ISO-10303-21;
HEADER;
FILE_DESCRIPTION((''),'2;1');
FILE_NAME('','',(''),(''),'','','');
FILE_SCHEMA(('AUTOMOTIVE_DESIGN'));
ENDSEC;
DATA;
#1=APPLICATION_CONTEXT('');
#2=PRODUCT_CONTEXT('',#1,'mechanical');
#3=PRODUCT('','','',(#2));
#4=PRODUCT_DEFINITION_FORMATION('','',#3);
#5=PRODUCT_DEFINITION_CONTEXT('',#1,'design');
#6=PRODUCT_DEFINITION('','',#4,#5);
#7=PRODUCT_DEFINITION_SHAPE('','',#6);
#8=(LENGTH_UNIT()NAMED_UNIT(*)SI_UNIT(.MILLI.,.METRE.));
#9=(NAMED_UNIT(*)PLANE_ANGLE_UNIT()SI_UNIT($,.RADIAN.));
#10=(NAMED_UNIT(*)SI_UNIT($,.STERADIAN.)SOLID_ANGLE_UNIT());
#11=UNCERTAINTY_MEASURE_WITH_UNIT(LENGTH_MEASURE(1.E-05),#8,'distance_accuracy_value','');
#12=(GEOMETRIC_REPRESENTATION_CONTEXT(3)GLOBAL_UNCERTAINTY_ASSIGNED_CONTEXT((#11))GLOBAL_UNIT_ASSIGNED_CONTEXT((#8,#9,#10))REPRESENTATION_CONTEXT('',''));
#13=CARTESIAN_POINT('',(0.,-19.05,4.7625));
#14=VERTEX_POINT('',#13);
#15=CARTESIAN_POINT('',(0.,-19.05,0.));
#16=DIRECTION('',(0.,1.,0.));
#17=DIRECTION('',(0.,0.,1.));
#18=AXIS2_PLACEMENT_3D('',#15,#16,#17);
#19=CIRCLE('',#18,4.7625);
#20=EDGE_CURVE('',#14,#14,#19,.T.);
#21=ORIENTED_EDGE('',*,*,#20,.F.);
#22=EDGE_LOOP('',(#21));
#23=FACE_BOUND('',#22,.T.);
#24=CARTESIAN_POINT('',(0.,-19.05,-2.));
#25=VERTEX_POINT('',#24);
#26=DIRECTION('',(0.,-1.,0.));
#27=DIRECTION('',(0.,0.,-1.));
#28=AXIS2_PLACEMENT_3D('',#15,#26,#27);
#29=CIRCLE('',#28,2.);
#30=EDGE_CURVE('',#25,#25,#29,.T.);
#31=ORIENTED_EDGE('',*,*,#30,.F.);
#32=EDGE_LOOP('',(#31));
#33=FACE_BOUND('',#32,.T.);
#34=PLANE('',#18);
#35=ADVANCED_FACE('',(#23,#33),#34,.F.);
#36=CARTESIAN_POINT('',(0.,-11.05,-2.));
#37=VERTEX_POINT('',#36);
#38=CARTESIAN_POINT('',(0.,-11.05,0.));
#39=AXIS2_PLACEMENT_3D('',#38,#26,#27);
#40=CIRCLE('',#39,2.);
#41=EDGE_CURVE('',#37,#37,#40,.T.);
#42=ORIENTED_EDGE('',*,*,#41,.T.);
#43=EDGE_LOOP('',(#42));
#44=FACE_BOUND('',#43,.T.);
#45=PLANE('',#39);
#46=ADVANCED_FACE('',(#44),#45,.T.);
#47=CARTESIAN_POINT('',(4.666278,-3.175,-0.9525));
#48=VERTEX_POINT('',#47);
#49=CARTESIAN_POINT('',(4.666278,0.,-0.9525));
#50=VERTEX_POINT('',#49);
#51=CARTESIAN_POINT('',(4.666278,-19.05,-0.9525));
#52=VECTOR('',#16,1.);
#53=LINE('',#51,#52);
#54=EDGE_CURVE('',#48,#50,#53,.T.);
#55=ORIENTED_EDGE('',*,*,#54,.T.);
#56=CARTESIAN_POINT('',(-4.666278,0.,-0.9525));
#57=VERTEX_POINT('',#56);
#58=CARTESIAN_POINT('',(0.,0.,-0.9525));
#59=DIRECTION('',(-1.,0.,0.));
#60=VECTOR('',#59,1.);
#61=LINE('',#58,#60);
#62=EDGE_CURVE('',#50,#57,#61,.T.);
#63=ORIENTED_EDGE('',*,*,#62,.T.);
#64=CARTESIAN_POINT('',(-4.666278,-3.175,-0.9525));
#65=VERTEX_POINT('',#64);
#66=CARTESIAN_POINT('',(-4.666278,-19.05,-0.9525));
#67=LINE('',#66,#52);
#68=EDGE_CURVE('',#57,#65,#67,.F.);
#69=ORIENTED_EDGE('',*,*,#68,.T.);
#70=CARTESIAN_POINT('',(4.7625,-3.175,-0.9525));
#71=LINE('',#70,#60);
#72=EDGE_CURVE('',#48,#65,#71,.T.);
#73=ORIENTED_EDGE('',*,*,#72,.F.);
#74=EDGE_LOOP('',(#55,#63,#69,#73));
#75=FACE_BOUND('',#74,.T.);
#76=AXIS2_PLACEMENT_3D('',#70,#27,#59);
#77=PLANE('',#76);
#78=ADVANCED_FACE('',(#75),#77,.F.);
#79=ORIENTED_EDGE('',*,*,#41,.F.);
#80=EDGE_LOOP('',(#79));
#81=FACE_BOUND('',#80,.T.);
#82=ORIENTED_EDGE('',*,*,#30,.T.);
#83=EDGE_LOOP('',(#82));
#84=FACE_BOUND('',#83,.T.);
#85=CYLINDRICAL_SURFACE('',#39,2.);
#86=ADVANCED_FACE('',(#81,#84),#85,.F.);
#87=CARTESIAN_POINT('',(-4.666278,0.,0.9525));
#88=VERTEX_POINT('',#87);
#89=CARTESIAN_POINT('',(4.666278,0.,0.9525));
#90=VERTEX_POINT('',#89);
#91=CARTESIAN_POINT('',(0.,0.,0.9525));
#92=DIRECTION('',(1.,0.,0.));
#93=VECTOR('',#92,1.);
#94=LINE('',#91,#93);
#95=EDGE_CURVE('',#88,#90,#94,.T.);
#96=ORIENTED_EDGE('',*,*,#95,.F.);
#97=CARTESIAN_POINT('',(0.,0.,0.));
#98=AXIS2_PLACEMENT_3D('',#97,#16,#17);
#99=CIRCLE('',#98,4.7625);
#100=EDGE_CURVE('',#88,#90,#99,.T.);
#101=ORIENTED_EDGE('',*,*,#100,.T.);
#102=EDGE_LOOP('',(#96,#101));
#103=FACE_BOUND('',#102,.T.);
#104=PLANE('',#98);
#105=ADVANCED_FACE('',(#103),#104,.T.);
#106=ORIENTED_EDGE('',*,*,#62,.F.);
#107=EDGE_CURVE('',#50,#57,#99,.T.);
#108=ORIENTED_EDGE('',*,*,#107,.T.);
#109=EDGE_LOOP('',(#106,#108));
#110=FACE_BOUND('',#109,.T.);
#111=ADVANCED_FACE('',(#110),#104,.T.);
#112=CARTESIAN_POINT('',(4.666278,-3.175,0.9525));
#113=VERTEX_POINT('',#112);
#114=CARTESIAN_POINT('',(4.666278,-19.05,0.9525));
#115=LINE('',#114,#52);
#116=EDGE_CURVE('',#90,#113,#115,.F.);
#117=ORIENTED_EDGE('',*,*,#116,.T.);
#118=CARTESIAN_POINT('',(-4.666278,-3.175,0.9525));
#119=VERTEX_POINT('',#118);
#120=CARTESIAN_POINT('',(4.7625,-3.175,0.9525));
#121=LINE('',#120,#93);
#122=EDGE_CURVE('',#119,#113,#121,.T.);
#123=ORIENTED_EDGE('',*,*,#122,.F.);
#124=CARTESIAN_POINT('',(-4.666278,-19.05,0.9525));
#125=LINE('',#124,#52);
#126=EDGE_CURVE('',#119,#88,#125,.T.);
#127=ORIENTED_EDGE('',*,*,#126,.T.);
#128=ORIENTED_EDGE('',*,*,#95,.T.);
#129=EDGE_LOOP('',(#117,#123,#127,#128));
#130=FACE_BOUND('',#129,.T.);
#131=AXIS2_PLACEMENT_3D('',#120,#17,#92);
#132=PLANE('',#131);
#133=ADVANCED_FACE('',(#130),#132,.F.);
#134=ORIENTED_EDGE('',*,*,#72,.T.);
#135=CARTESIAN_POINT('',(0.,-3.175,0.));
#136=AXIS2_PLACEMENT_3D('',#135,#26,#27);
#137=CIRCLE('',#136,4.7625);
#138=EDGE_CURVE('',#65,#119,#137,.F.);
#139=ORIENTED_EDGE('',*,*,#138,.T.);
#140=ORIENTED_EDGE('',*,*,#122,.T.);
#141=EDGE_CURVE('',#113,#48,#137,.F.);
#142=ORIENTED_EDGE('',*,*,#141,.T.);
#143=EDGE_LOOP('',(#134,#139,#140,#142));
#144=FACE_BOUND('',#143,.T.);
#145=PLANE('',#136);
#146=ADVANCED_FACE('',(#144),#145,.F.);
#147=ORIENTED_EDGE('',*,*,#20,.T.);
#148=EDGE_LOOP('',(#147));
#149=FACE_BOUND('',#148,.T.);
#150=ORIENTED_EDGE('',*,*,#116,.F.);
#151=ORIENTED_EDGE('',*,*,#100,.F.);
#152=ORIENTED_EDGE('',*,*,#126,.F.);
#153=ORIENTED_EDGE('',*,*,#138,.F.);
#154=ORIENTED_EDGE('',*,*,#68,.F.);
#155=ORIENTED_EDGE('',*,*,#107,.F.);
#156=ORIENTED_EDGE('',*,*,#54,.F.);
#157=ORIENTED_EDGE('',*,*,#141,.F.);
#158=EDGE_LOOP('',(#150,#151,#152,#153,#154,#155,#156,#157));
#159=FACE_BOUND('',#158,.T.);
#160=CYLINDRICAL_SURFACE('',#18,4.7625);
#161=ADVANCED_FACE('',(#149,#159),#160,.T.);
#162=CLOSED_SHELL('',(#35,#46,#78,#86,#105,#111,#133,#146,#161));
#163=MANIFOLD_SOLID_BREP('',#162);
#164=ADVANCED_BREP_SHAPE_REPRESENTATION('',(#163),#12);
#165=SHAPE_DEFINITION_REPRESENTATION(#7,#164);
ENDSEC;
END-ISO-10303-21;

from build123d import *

# Parameters (mm, degrees)
SKETCH1_R           = 4.7625
BOSS_EXTRUDE1_DEPTH = 19.05
SKETCH2_W           = 9.525
SKETCH2_H           = 1.905
CUT_EXTRUDE1_DEPTH  = 3.175
SKETCH3_R           = 2
CUT_EXTRUDE2_DEPTH  = 8


with BuildPart() as part:
    # Sketch1 → Boss-Extrude1 (new body)
    with BuildSketch(Plane(origin=(0, 0, 0), x_dir=(1, 0, 0), z_dir=(0, 1, 0))):
        Circle(SKETCH1_R)
    extrude(amount=-BOSS_EXTRUDE1_DEPTH)

    # Sketch2 → Cut-Extrude1 (cut)
    with BuildSketch(Plane(origin=(0, 0, 0), x_dir=(1, 0, 0), z_dir=(0, 1, 0))):
        Rectangle(SKETCH2_W, SKETCH2_H)
    extrude(amount=-CUT_EXTRUDE1_DEPTH, mode=Mode.SUBTRACT)

    # Sketch3 → Cut-Extrude2 (cut)
    with BuildSketch(Plane.XZ.offset(19.05)):
        Circle(SKETCH3_R)
    extrude(amount=-CUT_EXTRUDE2_DEPTH, mode=Mode.SUBTRACT)


solid = part.part
